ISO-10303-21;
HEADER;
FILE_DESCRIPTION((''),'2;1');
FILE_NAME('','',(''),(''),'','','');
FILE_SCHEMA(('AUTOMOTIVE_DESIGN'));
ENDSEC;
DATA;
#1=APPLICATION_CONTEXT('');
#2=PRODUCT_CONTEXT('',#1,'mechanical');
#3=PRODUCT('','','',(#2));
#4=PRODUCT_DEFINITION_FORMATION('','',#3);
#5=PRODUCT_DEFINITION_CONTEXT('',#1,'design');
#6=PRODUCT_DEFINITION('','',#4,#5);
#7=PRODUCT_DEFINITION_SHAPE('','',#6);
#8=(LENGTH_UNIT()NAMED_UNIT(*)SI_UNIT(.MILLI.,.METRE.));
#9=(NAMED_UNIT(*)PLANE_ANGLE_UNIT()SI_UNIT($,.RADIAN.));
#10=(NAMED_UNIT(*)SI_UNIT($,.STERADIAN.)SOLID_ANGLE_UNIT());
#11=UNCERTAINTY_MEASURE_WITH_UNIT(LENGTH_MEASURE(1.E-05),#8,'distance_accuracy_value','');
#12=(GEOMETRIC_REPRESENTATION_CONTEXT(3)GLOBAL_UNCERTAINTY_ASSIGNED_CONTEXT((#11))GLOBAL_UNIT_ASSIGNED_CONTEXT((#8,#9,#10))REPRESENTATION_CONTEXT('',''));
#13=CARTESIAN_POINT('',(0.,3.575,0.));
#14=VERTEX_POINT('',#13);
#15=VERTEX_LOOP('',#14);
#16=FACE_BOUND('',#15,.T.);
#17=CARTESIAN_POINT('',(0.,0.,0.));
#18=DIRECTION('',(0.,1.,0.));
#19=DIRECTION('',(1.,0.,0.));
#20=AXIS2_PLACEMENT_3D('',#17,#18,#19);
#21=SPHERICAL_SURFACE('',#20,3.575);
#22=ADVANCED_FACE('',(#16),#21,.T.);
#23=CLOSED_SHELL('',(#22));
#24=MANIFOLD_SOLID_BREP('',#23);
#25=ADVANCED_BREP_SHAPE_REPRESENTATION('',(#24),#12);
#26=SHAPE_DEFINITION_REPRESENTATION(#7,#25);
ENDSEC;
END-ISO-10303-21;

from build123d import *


with BuildPart() as part:
    # Sketch1 → Revolve2 (revolve)
    with BuildSketch(Plane.XY):
        with BuildLine():
            Line((0, 3.575), (0, -3.575))
            ThreePointArc((0, -3.575), (-3.575, 0), (0, 3.575))
        make_face()
    revolve(axis=Axis((0, 3.575, 0), (0, -1, 0)))


solid = part.part
